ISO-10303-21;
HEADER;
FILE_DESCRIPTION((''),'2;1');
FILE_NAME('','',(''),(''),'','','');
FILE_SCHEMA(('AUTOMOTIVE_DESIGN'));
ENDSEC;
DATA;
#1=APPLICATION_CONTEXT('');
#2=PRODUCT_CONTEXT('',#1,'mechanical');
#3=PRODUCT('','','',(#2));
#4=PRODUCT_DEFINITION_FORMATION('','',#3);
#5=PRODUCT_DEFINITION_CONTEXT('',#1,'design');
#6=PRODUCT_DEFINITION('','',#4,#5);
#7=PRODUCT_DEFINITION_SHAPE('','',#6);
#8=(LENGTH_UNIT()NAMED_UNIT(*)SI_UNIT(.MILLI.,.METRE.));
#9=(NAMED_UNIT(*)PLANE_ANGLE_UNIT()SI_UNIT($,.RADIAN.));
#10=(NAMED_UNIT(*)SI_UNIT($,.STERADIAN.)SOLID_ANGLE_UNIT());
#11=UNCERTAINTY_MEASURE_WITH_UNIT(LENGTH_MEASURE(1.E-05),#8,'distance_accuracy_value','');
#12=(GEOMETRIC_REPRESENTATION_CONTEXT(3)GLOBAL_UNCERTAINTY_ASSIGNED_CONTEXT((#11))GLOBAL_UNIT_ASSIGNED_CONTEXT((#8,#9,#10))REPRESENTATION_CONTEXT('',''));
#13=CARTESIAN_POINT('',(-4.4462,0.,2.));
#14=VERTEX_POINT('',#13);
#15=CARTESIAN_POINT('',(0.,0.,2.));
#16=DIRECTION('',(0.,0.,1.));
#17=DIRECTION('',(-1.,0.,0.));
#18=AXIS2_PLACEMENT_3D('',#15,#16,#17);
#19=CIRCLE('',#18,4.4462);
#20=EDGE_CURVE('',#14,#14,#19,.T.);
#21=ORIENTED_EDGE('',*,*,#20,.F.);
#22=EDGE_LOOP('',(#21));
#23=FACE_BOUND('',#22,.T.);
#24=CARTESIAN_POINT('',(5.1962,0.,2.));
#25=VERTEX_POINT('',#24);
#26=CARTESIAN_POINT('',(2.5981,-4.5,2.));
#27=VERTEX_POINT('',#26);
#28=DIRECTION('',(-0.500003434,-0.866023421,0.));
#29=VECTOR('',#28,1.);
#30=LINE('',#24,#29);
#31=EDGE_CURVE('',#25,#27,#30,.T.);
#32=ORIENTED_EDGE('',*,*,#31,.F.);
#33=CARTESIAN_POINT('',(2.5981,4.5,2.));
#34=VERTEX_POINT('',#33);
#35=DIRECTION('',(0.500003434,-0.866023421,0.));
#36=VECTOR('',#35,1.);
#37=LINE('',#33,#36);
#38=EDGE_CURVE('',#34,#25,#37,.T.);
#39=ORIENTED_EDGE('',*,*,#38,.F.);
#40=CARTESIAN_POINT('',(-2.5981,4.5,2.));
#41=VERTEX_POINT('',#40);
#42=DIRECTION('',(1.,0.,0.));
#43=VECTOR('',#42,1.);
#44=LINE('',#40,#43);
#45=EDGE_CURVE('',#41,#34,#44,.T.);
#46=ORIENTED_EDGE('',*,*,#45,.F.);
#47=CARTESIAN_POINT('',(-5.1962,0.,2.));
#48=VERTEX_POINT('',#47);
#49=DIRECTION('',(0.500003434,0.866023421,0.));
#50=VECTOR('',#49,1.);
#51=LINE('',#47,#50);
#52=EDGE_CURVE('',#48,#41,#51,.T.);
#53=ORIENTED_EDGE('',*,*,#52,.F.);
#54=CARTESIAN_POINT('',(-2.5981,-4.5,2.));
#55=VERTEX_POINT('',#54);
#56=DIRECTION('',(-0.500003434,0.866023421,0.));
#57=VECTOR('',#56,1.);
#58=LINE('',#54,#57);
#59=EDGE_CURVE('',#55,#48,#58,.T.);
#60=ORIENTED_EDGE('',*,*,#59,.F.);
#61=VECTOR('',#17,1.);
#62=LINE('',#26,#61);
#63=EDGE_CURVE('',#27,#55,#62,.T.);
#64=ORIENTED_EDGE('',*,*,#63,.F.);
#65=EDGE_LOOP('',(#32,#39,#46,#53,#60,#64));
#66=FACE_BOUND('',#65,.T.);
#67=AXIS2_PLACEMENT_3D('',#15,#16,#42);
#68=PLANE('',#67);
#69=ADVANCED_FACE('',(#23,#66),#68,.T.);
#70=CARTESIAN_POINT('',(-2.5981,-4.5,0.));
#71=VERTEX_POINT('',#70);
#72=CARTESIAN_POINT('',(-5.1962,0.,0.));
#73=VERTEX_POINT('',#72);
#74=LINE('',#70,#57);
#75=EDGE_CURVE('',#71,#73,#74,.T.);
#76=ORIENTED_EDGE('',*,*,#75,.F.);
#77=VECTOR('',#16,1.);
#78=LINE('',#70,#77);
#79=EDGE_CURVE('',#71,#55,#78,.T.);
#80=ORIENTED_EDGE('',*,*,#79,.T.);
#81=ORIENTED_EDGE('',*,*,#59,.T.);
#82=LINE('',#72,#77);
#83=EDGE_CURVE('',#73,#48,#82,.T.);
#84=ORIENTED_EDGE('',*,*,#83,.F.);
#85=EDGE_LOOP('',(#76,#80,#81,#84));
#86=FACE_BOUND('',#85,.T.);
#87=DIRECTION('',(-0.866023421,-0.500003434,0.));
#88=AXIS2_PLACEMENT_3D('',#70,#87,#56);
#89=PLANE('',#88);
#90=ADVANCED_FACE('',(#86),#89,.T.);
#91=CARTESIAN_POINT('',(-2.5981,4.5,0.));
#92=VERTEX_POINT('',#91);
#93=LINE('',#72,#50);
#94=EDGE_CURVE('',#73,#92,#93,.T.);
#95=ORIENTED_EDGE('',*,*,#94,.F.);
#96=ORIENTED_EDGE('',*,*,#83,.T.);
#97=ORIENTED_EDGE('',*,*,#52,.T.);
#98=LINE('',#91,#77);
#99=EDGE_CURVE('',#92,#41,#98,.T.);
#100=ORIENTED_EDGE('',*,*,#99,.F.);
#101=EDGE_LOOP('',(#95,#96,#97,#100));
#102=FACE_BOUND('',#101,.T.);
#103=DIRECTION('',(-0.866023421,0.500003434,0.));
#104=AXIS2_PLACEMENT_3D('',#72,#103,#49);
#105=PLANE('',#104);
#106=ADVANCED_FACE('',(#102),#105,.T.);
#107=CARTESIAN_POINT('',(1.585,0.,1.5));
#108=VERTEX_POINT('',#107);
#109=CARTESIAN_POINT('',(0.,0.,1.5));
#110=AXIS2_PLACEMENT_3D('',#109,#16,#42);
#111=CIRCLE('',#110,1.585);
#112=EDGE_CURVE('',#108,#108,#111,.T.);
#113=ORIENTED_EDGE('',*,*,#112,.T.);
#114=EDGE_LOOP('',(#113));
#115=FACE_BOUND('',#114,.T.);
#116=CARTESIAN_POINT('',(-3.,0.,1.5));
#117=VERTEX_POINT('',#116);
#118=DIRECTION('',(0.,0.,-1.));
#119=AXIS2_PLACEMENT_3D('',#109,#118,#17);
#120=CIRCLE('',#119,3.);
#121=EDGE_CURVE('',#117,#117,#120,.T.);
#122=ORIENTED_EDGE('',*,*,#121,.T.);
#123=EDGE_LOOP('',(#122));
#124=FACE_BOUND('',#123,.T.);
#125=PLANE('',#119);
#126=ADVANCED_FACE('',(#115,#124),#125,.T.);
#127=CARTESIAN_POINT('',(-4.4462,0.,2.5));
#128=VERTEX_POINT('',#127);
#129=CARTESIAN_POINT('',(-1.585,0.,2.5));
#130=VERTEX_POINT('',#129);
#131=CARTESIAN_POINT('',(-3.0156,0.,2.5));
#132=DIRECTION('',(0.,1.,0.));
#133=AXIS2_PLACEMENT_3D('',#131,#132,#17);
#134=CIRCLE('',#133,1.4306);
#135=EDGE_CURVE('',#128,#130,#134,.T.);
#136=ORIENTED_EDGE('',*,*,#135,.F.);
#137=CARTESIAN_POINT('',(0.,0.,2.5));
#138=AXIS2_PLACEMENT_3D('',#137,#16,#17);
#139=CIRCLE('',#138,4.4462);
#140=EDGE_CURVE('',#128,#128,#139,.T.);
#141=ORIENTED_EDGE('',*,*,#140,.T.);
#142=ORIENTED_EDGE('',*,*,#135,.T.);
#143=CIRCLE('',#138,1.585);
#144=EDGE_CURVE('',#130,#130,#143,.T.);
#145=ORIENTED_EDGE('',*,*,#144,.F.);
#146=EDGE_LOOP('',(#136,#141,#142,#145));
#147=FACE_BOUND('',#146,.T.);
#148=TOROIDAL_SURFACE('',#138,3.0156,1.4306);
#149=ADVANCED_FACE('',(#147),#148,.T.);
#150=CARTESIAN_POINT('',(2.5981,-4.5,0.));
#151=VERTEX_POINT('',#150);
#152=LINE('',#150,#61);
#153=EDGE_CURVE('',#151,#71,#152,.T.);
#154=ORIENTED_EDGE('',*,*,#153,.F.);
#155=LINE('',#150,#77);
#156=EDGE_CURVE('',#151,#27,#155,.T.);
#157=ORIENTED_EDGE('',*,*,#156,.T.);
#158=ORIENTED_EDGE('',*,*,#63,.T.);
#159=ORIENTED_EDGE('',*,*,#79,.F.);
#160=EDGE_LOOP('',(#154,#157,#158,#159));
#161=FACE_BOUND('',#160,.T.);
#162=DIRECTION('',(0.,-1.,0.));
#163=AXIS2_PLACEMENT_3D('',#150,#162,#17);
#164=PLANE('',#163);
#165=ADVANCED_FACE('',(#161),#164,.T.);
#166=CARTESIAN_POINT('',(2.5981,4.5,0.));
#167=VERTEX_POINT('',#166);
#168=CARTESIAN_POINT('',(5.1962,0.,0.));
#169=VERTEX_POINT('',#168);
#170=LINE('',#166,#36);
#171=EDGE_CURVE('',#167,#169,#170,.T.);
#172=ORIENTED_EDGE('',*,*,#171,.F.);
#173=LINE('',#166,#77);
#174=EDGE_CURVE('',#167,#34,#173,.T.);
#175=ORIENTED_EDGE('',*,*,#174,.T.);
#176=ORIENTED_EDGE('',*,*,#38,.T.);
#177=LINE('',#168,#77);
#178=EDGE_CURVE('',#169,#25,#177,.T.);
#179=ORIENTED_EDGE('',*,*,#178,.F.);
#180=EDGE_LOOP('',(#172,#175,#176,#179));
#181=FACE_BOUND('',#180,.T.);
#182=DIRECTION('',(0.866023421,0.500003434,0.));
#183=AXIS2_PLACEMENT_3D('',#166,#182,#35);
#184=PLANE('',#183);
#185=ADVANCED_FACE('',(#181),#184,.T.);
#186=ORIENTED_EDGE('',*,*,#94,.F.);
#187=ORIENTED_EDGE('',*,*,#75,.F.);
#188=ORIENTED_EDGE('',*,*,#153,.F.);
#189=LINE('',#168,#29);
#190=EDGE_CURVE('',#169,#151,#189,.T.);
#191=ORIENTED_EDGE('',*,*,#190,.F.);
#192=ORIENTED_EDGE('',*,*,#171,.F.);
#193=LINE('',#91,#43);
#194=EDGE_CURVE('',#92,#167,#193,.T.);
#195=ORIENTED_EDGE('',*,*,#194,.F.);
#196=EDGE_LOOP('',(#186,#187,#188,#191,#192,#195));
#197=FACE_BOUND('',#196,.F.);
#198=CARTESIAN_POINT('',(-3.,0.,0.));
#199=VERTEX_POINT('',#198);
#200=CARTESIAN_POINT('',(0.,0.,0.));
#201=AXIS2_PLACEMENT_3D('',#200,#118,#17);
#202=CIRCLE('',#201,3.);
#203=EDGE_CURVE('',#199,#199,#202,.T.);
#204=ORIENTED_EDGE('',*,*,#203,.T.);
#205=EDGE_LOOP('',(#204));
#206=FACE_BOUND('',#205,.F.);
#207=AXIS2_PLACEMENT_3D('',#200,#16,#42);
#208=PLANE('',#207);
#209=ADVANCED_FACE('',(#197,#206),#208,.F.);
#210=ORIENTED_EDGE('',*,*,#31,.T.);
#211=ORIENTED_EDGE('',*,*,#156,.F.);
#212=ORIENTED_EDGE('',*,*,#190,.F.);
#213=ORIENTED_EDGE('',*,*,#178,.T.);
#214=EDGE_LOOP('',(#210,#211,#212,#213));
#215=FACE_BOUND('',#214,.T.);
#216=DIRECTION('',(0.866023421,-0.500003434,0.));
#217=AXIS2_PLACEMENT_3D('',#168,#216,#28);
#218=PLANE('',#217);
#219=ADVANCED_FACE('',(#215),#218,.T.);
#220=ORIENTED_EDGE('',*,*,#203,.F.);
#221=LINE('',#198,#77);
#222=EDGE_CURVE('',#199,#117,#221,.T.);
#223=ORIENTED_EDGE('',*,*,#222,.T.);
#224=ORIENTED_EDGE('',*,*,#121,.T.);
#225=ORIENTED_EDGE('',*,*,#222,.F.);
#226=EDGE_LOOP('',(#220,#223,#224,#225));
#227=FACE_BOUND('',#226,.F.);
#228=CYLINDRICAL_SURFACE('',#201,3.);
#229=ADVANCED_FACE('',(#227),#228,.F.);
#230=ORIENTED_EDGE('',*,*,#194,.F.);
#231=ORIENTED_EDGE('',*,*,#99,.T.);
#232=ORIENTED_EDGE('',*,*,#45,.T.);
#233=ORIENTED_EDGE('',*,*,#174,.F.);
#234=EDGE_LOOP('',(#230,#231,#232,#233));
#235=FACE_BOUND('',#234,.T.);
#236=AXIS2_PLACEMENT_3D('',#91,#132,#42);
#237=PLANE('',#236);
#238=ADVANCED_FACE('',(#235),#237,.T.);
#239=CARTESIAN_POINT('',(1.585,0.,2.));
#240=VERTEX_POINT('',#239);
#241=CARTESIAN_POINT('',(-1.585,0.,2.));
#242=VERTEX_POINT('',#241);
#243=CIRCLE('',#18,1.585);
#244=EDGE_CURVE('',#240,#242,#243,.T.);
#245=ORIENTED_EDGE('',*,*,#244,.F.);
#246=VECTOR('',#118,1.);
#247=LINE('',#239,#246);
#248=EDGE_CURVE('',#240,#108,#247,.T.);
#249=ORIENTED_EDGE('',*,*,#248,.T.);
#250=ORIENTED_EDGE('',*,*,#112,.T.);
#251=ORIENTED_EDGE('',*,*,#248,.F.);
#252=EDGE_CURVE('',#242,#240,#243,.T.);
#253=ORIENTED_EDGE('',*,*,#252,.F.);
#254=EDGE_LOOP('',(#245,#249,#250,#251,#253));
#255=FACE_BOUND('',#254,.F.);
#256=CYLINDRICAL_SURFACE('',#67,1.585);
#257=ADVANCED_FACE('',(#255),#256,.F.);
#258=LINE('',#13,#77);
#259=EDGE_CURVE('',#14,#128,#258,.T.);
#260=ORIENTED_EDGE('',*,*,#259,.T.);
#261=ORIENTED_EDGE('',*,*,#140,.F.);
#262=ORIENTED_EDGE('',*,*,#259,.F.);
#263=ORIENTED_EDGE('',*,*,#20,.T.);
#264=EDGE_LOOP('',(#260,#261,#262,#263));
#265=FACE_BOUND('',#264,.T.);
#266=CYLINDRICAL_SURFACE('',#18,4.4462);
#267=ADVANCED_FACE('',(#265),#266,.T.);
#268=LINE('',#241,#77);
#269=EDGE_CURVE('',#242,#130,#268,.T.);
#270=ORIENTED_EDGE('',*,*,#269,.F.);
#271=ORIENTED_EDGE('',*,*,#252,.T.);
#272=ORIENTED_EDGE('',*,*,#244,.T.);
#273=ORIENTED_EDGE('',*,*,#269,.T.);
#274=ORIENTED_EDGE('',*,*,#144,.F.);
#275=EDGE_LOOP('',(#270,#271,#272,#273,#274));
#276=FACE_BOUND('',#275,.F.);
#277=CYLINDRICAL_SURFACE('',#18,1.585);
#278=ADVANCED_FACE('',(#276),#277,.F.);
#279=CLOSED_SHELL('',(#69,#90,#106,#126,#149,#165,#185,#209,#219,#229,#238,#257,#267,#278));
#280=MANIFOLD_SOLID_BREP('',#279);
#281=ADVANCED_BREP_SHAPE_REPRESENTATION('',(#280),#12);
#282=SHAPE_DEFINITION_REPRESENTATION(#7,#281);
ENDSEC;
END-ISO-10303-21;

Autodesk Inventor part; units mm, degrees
ref_plane "YZ Plane" through (0, 0, 0) normal (1, 0, 0) x (0, 1, 0)
ref_plane "XZ Plane" through (0, 0, 0) normal (0, 1, 0) x (-1, 0, 0)
ref_plane "XY Plane" through (0, 0, 0) normal (0, 0, 1) x (1, 0, 0)
sketch "Sketch2" plane through (0, 0, 0) normal (0, 0, 1) x (1, 0, 0)
  line L0 (-5.1962, 0) -> (-2.5981, 4.5)
  line L1 (-2.5981, 4.5) -> (2.5981, 4.5)
  line L2 (2.5981, 4.5) -> (5.1962, 0)
  line L3 (5.1962, 0) -> (2.5981, -4.5)
  line L4 (2.5981, -4.5) -> (-2.5981, -4.5)
  line L5 (-2.5981, -4.5) -> (-5.1962, 0)
  point P0 (0, 0)
  point P1 (0, 0)
  dimension "d0" = 9
extrude "Extrusion1" add sketch "Sketch2" along normal blind 2
sketch "Sketch3" plane through (0, 0, 0) normal (0, 1, 0) x (-1, 0, 0)
  line L0 (5.1962, 0) -> (5.1962, 2) projected
  line L1 (2.5981, 2) -> (-2.5981, 2) projected
  line L2 (0, 2) -> (1.585, 2)
  line L3 (2.5981, 2) -> (5.1962, 2) projected
  line L4 (5.1962, 2) -> (4.4462, 2)
  line L5 (1.585, 2) -> (1.585, 2.5)
  line L6 (4.4462, 2) -> (4.4462, 2.5)
  arc A0 (4.4462, 2.5) -> (1.585, 2.5) centre (3.0156, 2.5) ccw
  line L7 (0, 2) -> (0, 5.5151)
  point P0 (0, 0)
  dimension "d3" = 1.585
  dimension "d4" = 0.75
  dimension "d5" = 0.5
  dimension "d6" = 0.5
revolve "Revolution1" add sketch "Sketch3" angle 360 about axis through (0, 0, 2) along (0, 0, 1)
sketch "Sketch4" plane through (0, 0, 2) normal (0, 0, 1) x (1, 0, 0)
  circle A0 centre (0, 0) radius 1.585 projected
  point P0 (0, 0)
extrude "Extrusion2" cut sketch "Sketch4" against normal through all
sketch "Sketch5" plane through (0, 0, 0) normal (0, 0, -1) x (-1, 0, 0)
  circle A0 centre (0, 0) radius 3
  dimension "d10" = 6
extrude "Extrusion3" cut sketch "Sketch5" against normal blind 1.5
properties part number "sealNut" material "Nickel-Copper Alloy 400"
